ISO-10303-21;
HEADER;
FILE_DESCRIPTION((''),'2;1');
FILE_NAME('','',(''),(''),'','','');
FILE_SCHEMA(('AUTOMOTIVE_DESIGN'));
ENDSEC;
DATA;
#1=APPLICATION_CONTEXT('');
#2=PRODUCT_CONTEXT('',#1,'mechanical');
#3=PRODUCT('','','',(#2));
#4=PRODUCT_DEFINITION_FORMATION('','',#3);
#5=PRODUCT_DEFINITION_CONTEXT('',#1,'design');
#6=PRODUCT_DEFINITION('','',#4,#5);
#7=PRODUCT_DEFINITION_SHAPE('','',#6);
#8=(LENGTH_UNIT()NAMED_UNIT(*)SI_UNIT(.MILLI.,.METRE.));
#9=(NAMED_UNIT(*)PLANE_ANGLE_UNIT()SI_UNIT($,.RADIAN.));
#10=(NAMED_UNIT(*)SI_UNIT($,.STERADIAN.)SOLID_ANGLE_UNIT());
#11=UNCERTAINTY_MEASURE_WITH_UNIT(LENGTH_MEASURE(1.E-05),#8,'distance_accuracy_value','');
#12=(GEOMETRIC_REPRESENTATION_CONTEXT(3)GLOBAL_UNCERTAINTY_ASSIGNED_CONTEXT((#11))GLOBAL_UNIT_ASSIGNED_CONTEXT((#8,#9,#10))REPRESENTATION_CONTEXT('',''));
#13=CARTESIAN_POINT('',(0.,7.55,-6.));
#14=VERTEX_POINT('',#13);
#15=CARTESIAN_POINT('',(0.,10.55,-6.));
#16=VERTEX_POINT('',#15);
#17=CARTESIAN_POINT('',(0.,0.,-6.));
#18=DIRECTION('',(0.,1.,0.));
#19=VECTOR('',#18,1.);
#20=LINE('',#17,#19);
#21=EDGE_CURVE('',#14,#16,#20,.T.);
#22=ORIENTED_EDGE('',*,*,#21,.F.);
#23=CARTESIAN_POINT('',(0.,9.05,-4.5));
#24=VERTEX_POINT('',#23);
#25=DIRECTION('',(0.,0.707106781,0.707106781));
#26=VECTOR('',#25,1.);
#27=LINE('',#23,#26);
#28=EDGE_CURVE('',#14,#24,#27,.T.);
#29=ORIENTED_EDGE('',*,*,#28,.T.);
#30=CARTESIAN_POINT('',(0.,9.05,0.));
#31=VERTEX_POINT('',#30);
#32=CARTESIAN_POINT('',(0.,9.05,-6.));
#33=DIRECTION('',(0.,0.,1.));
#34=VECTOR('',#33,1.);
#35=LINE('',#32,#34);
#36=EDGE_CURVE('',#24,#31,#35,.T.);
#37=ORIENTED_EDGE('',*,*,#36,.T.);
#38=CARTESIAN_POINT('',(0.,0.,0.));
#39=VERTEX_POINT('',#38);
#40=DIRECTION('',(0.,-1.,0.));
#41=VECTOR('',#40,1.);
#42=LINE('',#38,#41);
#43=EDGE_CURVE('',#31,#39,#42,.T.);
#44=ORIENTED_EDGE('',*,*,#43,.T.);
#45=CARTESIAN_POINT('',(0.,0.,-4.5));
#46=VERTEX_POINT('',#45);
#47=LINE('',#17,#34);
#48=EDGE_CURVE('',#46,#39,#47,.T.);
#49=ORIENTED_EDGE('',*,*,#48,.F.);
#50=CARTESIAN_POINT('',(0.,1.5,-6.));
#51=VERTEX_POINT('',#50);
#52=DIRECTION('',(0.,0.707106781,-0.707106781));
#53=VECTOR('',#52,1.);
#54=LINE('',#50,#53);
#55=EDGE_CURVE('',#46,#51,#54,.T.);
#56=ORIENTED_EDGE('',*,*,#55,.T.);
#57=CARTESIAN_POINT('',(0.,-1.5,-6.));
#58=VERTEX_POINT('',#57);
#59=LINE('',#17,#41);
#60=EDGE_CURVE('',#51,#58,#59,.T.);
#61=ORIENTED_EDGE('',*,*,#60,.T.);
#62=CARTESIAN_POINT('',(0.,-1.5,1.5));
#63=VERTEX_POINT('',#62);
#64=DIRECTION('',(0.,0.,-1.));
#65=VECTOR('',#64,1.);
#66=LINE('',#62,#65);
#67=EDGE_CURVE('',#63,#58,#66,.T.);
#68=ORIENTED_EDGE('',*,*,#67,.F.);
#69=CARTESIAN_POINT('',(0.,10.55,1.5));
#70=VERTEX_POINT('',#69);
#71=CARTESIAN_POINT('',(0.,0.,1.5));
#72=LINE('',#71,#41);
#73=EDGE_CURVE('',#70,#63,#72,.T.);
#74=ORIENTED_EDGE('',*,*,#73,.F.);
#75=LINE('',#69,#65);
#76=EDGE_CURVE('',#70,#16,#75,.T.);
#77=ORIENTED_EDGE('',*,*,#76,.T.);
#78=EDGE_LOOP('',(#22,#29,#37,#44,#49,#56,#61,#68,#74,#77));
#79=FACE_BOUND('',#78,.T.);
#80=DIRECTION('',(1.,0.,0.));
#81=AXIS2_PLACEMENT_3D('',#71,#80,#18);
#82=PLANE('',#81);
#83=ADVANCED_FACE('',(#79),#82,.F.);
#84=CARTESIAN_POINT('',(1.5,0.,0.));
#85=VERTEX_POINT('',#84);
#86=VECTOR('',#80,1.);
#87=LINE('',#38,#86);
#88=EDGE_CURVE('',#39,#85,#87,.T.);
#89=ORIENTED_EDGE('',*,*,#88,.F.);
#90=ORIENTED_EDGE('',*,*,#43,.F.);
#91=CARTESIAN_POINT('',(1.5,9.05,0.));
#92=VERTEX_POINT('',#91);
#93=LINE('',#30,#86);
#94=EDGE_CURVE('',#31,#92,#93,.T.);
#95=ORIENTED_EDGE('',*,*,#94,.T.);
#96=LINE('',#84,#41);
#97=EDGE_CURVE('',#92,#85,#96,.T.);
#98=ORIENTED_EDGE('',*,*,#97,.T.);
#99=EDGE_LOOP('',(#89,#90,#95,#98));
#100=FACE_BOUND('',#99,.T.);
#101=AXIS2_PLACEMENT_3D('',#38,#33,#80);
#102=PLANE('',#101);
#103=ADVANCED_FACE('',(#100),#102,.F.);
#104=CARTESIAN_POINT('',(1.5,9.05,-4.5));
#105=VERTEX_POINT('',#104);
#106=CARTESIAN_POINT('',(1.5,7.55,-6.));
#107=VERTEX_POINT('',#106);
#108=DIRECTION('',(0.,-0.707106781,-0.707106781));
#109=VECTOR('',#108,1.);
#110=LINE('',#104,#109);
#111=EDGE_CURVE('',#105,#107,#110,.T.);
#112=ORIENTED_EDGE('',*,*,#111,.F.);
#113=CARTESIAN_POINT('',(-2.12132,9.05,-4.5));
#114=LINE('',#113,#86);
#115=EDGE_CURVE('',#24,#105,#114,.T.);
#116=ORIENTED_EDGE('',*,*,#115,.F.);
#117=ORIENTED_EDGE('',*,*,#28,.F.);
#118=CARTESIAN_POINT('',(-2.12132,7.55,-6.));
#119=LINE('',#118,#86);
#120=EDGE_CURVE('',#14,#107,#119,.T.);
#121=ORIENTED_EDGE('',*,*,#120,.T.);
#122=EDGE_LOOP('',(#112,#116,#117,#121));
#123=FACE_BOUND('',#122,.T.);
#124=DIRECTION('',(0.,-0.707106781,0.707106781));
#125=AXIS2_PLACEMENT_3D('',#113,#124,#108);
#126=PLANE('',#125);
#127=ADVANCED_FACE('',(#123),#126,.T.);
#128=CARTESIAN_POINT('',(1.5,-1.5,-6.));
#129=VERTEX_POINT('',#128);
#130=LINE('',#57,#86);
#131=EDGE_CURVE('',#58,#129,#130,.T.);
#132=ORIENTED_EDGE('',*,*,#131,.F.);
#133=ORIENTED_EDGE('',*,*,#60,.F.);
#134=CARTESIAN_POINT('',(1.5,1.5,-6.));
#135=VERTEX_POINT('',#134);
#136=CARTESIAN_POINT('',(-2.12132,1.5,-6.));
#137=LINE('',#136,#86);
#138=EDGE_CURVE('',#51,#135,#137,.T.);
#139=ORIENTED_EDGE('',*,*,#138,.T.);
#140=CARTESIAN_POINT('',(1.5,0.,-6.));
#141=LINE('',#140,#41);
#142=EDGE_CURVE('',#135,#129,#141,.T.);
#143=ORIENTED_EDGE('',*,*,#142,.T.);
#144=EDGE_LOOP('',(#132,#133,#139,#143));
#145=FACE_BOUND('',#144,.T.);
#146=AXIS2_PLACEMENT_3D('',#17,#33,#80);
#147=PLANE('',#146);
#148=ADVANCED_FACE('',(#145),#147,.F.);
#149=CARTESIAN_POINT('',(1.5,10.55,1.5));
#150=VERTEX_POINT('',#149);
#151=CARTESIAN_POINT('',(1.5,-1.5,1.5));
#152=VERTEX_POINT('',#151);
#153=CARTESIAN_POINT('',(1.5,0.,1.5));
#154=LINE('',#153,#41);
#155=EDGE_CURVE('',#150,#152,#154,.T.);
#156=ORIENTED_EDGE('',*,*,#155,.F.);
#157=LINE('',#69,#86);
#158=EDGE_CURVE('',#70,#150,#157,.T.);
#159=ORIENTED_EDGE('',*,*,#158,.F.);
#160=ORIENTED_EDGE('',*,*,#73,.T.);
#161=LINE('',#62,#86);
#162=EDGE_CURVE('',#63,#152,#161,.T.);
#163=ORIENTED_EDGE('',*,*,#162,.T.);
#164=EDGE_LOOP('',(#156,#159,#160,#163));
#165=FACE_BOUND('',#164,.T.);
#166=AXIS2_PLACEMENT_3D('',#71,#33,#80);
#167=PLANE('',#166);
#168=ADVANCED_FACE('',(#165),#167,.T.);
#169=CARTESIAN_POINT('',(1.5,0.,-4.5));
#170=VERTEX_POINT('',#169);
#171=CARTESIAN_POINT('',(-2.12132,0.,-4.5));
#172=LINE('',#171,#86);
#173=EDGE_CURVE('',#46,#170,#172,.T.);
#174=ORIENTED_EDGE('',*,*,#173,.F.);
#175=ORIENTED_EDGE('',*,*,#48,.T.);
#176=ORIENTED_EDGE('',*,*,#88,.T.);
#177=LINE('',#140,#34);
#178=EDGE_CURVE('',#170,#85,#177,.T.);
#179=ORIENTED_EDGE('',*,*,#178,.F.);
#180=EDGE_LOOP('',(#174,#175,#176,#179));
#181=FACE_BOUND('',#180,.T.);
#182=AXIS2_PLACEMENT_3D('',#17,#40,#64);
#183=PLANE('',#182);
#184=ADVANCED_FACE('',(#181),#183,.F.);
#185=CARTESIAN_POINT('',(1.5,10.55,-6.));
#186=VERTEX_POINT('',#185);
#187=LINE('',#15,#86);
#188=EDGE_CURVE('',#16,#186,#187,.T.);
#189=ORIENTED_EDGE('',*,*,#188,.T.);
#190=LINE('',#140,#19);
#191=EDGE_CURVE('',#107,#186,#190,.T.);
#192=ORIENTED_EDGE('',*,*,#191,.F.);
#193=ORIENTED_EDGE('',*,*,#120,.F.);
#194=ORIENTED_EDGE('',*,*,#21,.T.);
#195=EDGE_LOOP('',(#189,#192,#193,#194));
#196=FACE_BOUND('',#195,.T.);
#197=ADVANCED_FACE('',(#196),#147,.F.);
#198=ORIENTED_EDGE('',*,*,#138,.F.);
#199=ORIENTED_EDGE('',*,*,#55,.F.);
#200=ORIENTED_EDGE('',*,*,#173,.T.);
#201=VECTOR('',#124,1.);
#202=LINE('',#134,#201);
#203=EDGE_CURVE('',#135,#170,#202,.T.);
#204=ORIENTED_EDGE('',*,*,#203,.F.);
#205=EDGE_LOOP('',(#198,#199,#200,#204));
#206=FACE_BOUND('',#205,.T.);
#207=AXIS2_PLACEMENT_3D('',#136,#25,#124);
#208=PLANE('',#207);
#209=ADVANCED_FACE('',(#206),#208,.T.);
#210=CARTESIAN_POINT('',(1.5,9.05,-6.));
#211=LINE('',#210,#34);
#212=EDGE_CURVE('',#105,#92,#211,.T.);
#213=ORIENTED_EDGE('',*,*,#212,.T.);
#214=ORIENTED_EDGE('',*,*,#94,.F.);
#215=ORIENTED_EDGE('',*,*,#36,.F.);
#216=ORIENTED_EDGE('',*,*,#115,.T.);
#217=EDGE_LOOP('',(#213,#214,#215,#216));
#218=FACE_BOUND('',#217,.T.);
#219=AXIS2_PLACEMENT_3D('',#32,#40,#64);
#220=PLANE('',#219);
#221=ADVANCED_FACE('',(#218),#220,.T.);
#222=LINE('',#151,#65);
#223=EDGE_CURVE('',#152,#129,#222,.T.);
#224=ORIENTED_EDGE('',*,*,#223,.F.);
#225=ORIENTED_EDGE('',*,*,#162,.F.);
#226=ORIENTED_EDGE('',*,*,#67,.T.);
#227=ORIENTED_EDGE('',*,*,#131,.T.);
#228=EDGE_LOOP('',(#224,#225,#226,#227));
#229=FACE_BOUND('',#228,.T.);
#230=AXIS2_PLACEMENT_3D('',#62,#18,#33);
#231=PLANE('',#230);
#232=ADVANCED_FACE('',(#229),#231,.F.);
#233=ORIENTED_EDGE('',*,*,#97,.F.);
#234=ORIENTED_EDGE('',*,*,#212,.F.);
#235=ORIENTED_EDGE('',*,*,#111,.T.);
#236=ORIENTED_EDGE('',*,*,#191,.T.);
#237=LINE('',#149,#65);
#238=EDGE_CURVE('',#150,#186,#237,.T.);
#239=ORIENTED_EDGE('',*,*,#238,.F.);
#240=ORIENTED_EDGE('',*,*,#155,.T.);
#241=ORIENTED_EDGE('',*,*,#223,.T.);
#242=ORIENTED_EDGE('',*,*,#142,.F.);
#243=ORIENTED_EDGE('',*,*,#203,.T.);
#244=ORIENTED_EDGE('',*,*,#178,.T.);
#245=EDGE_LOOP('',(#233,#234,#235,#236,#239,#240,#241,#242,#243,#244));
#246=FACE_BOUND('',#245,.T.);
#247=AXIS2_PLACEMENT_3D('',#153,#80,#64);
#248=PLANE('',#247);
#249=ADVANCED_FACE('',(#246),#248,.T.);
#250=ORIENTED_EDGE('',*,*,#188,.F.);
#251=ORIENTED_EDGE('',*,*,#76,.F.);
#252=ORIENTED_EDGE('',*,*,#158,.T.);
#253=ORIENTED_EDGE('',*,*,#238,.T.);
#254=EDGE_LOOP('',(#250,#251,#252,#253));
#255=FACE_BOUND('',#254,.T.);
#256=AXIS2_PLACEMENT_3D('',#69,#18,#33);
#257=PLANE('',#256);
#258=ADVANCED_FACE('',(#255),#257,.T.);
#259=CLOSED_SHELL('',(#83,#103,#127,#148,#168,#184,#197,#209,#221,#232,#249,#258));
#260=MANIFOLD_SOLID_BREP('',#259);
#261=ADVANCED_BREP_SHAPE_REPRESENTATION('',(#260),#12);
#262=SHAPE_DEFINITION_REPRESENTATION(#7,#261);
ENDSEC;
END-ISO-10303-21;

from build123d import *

# Parameters (mm, degrees)
SKETCH1_W           = 1.5
SKETCH1_H           = 9.05
SKETCH1_H_2         = 1.5
BOSS_EXTRUDE1_DEPTH = 1.5
SKETCH1_3_W         = 1.5
SKETCH1_3_H         = 1.5
BOSS_EXTRUDE2_DEPTH = 6
BOSS_EXTRUDE3_DEPTH = 1.5


with BuildPart() as part:
    # Sketch1 → Boss-Extrude1 (new body)
    with BuildSketch(Plane.XY):
        with Locations((0.75, 4.525)):
            Rectangle(SKETCH1_W, SKETCH1_H)
        with Locations((0.75, 9.8)):
            Rectangle(SKETCH1_W, SKETCH1_H_2)
        with Locations((0.75, -0.75)):
            Rectangle(SKETCH1_W, SKETCH1_H_2)
    extrude(amount=BOSS_EXTRUDE1_DEPTH)

    # Sketch1<3> → Boss-Extrude2 (add)
    with BuildSketch(Plane.XY):
        with Locations((0.75, 9.8)):
            Rectangle(SKETCH1_3_W, SKETCH1_3_H)
        with Locations((0.75, -0.75)):
            Rectangle(SKETCH1_3_W, SKETCH1_3_H)
    extrude(amount=-BOSS_EXTRUDE2_DEPTH)

    # Sketch2 → Boss-Extrude3 (add)
    with BuildSketch(Plane(origin=(1.5, 0, 0), x_dir=(0, 0, -1), z_dir=(1, 0, 0))):
        Polygon((4.5, 9.05), (6, 7.55), (6, 9.05), align=None)
        Polygon((6, 0), (4.5, 0), (6, 1.5), align=None)
    extrude(amount=-BOSS_EXTRUDE3_DEPTH)


solid = part.part
